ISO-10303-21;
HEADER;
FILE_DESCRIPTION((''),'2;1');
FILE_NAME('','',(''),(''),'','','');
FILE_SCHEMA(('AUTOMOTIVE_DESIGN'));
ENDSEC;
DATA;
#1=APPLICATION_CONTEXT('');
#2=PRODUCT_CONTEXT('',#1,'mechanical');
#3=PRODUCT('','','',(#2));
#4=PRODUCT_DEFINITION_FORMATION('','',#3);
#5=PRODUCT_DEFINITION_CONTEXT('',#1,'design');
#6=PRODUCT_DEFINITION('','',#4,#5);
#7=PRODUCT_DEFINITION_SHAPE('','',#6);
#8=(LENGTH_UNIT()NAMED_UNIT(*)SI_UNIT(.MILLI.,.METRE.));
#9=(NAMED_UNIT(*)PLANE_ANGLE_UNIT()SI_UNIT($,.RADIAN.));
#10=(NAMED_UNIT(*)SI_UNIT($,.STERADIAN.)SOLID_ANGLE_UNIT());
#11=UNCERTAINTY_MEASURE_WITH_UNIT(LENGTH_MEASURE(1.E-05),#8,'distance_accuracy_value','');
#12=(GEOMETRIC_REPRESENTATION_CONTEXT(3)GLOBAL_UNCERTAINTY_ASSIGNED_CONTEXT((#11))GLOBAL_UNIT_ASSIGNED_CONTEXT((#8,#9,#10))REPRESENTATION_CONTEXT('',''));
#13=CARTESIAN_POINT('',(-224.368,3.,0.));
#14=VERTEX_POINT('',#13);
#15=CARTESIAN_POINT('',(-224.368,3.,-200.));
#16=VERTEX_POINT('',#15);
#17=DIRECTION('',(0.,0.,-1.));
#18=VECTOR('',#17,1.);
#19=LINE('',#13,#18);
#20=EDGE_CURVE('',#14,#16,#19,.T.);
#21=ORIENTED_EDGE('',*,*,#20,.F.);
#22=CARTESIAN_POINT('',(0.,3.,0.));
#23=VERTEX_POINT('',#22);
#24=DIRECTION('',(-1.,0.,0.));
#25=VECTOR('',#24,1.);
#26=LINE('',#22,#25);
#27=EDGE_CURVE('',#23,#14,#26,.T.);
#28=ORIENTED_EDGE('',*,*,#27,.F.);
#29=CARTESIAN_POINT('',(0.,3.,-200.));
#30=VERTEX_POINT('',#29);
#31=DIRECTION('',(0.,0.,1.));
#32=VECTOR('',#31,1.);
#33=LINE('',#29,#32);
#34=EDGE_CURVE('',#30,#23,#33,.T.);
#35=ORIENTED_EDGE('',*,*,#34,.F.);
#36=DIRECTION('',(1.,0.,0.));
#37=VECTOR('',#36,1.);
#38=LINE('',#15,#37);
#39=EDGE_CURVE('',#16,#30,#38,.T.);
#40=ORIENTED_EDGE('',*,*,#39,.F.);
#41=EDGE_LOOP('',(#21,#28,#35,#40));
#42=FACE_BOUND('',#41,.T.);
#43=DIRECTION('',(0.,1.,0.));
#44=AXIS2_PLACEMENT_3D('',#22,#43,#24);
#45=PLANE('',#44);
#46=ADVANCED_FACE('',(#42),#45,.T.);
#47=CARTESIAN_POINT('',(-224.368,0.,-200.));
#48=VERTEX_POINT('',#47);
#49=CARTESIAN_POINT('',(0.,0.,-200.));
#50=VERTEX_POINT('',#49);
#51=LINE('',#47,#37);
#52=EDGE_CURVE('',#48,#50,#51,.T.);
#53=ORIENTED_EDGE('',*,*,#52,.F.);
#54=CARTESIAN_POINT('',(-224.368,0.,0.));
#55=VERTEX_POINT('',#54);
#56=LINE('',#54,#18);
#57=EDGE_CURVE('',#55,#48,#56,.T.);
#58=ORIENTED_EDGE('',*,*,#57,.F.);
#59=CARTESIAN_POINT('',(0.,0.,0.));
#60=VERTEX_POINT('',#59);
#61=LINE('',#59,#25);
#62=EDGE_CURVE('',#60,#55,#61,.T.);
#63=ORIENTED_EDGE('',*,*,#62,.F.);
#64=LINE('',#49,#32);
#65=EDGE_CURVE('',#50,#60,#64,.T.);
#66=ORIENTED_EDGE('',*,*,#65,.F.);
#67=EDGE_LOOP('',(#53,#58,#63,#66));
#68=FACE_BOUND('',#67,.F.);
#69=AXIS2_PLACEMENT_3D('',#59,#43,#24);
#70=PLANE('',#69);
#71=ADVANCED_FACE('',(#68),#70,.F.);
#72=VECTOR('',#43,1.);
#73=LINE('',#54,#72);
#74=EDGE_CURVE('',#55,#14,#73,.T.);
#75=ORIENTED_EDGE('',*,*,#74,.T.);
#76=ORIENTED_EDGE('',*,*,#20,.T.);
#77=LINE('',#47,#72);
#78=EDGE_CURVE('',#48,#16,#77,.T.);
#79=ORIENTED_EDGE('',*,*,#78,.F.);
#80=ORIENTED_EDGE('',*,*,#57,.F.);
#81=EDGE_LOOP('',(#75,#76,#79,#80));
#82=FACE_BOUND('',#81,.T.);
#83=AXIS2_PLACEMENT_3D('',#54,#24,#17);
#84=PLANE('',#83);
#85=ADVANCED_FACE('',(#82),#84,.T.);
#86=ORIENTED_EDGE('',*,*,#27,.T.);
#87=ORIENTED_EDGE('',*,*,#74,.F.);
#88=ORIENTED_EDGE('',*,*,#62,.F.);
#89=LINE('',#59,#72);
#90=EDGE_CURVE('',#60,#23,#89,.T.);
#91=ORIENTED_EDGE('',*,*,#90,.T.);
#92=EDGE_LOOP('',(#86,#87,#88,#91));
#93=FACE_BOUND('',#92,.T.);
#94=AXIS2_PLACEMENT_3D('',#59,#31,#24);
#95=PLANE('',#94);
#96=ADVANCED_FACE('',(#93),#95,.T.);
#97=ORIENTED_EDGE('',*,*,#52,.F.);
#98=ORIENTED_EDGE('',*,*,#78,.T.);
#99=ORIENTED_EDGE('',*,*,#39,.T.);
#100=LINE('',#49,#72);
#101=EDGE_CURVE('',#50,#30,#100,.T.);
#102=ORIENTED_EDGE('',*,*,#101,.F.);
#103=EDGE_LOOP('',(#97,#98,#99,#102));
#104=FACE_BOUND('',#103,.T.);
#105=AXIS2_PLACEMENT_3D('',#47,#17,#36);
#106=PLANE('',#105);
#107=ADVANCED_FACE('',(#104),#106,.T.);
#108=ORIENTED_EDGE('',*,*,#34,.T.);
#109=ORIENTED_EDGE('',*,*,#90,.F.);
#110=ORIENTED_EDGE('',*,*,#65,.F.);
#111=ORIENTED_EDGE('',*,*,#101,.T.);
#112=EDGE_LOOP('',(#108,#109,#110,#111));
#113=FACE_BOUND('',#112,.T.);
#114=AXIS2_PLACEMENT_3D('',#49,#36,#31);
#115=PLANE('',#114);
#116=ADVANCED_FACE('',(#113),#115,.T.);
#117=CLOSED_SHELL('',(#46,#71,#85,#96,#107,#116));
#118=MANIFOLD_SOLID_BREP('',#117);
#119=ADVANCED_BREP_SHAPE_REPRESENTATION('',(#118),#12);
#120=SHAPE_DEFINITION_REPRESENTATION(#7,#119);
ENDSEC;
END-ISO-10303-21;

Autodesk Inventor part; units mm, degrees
ref_plane "YZ Plane" through (0, 0, 0) normal (1, 0, 0) x (0, 1, 0)
ref_plane "XZ Plane" through (0, 0, 0) normal (0, 1, 0) x (-1, 0, 0)
ref_plane "XY Plane" through (0, 0, 0) normal (0, 0, 1) x (1, 0, 0)
sketch "Esquisse1" plane through (0, 0, 0) normal (0, 1, 0) x (-1, 0, 0)
  line L0 (0, 0) -> (224.368, 0)
  line L1 (224.368, 0) -> (224.368, -200)
  line L2 (224.368, -200) -> (0, -200)
  line L3 (0, -200) -> (0, 0)
  dimension "d0" = 224.368
  dimension "d1" = 200
extrude "Extrusion1" add sketch "Esquisse1" along normal blind 3
properties part number "top"
